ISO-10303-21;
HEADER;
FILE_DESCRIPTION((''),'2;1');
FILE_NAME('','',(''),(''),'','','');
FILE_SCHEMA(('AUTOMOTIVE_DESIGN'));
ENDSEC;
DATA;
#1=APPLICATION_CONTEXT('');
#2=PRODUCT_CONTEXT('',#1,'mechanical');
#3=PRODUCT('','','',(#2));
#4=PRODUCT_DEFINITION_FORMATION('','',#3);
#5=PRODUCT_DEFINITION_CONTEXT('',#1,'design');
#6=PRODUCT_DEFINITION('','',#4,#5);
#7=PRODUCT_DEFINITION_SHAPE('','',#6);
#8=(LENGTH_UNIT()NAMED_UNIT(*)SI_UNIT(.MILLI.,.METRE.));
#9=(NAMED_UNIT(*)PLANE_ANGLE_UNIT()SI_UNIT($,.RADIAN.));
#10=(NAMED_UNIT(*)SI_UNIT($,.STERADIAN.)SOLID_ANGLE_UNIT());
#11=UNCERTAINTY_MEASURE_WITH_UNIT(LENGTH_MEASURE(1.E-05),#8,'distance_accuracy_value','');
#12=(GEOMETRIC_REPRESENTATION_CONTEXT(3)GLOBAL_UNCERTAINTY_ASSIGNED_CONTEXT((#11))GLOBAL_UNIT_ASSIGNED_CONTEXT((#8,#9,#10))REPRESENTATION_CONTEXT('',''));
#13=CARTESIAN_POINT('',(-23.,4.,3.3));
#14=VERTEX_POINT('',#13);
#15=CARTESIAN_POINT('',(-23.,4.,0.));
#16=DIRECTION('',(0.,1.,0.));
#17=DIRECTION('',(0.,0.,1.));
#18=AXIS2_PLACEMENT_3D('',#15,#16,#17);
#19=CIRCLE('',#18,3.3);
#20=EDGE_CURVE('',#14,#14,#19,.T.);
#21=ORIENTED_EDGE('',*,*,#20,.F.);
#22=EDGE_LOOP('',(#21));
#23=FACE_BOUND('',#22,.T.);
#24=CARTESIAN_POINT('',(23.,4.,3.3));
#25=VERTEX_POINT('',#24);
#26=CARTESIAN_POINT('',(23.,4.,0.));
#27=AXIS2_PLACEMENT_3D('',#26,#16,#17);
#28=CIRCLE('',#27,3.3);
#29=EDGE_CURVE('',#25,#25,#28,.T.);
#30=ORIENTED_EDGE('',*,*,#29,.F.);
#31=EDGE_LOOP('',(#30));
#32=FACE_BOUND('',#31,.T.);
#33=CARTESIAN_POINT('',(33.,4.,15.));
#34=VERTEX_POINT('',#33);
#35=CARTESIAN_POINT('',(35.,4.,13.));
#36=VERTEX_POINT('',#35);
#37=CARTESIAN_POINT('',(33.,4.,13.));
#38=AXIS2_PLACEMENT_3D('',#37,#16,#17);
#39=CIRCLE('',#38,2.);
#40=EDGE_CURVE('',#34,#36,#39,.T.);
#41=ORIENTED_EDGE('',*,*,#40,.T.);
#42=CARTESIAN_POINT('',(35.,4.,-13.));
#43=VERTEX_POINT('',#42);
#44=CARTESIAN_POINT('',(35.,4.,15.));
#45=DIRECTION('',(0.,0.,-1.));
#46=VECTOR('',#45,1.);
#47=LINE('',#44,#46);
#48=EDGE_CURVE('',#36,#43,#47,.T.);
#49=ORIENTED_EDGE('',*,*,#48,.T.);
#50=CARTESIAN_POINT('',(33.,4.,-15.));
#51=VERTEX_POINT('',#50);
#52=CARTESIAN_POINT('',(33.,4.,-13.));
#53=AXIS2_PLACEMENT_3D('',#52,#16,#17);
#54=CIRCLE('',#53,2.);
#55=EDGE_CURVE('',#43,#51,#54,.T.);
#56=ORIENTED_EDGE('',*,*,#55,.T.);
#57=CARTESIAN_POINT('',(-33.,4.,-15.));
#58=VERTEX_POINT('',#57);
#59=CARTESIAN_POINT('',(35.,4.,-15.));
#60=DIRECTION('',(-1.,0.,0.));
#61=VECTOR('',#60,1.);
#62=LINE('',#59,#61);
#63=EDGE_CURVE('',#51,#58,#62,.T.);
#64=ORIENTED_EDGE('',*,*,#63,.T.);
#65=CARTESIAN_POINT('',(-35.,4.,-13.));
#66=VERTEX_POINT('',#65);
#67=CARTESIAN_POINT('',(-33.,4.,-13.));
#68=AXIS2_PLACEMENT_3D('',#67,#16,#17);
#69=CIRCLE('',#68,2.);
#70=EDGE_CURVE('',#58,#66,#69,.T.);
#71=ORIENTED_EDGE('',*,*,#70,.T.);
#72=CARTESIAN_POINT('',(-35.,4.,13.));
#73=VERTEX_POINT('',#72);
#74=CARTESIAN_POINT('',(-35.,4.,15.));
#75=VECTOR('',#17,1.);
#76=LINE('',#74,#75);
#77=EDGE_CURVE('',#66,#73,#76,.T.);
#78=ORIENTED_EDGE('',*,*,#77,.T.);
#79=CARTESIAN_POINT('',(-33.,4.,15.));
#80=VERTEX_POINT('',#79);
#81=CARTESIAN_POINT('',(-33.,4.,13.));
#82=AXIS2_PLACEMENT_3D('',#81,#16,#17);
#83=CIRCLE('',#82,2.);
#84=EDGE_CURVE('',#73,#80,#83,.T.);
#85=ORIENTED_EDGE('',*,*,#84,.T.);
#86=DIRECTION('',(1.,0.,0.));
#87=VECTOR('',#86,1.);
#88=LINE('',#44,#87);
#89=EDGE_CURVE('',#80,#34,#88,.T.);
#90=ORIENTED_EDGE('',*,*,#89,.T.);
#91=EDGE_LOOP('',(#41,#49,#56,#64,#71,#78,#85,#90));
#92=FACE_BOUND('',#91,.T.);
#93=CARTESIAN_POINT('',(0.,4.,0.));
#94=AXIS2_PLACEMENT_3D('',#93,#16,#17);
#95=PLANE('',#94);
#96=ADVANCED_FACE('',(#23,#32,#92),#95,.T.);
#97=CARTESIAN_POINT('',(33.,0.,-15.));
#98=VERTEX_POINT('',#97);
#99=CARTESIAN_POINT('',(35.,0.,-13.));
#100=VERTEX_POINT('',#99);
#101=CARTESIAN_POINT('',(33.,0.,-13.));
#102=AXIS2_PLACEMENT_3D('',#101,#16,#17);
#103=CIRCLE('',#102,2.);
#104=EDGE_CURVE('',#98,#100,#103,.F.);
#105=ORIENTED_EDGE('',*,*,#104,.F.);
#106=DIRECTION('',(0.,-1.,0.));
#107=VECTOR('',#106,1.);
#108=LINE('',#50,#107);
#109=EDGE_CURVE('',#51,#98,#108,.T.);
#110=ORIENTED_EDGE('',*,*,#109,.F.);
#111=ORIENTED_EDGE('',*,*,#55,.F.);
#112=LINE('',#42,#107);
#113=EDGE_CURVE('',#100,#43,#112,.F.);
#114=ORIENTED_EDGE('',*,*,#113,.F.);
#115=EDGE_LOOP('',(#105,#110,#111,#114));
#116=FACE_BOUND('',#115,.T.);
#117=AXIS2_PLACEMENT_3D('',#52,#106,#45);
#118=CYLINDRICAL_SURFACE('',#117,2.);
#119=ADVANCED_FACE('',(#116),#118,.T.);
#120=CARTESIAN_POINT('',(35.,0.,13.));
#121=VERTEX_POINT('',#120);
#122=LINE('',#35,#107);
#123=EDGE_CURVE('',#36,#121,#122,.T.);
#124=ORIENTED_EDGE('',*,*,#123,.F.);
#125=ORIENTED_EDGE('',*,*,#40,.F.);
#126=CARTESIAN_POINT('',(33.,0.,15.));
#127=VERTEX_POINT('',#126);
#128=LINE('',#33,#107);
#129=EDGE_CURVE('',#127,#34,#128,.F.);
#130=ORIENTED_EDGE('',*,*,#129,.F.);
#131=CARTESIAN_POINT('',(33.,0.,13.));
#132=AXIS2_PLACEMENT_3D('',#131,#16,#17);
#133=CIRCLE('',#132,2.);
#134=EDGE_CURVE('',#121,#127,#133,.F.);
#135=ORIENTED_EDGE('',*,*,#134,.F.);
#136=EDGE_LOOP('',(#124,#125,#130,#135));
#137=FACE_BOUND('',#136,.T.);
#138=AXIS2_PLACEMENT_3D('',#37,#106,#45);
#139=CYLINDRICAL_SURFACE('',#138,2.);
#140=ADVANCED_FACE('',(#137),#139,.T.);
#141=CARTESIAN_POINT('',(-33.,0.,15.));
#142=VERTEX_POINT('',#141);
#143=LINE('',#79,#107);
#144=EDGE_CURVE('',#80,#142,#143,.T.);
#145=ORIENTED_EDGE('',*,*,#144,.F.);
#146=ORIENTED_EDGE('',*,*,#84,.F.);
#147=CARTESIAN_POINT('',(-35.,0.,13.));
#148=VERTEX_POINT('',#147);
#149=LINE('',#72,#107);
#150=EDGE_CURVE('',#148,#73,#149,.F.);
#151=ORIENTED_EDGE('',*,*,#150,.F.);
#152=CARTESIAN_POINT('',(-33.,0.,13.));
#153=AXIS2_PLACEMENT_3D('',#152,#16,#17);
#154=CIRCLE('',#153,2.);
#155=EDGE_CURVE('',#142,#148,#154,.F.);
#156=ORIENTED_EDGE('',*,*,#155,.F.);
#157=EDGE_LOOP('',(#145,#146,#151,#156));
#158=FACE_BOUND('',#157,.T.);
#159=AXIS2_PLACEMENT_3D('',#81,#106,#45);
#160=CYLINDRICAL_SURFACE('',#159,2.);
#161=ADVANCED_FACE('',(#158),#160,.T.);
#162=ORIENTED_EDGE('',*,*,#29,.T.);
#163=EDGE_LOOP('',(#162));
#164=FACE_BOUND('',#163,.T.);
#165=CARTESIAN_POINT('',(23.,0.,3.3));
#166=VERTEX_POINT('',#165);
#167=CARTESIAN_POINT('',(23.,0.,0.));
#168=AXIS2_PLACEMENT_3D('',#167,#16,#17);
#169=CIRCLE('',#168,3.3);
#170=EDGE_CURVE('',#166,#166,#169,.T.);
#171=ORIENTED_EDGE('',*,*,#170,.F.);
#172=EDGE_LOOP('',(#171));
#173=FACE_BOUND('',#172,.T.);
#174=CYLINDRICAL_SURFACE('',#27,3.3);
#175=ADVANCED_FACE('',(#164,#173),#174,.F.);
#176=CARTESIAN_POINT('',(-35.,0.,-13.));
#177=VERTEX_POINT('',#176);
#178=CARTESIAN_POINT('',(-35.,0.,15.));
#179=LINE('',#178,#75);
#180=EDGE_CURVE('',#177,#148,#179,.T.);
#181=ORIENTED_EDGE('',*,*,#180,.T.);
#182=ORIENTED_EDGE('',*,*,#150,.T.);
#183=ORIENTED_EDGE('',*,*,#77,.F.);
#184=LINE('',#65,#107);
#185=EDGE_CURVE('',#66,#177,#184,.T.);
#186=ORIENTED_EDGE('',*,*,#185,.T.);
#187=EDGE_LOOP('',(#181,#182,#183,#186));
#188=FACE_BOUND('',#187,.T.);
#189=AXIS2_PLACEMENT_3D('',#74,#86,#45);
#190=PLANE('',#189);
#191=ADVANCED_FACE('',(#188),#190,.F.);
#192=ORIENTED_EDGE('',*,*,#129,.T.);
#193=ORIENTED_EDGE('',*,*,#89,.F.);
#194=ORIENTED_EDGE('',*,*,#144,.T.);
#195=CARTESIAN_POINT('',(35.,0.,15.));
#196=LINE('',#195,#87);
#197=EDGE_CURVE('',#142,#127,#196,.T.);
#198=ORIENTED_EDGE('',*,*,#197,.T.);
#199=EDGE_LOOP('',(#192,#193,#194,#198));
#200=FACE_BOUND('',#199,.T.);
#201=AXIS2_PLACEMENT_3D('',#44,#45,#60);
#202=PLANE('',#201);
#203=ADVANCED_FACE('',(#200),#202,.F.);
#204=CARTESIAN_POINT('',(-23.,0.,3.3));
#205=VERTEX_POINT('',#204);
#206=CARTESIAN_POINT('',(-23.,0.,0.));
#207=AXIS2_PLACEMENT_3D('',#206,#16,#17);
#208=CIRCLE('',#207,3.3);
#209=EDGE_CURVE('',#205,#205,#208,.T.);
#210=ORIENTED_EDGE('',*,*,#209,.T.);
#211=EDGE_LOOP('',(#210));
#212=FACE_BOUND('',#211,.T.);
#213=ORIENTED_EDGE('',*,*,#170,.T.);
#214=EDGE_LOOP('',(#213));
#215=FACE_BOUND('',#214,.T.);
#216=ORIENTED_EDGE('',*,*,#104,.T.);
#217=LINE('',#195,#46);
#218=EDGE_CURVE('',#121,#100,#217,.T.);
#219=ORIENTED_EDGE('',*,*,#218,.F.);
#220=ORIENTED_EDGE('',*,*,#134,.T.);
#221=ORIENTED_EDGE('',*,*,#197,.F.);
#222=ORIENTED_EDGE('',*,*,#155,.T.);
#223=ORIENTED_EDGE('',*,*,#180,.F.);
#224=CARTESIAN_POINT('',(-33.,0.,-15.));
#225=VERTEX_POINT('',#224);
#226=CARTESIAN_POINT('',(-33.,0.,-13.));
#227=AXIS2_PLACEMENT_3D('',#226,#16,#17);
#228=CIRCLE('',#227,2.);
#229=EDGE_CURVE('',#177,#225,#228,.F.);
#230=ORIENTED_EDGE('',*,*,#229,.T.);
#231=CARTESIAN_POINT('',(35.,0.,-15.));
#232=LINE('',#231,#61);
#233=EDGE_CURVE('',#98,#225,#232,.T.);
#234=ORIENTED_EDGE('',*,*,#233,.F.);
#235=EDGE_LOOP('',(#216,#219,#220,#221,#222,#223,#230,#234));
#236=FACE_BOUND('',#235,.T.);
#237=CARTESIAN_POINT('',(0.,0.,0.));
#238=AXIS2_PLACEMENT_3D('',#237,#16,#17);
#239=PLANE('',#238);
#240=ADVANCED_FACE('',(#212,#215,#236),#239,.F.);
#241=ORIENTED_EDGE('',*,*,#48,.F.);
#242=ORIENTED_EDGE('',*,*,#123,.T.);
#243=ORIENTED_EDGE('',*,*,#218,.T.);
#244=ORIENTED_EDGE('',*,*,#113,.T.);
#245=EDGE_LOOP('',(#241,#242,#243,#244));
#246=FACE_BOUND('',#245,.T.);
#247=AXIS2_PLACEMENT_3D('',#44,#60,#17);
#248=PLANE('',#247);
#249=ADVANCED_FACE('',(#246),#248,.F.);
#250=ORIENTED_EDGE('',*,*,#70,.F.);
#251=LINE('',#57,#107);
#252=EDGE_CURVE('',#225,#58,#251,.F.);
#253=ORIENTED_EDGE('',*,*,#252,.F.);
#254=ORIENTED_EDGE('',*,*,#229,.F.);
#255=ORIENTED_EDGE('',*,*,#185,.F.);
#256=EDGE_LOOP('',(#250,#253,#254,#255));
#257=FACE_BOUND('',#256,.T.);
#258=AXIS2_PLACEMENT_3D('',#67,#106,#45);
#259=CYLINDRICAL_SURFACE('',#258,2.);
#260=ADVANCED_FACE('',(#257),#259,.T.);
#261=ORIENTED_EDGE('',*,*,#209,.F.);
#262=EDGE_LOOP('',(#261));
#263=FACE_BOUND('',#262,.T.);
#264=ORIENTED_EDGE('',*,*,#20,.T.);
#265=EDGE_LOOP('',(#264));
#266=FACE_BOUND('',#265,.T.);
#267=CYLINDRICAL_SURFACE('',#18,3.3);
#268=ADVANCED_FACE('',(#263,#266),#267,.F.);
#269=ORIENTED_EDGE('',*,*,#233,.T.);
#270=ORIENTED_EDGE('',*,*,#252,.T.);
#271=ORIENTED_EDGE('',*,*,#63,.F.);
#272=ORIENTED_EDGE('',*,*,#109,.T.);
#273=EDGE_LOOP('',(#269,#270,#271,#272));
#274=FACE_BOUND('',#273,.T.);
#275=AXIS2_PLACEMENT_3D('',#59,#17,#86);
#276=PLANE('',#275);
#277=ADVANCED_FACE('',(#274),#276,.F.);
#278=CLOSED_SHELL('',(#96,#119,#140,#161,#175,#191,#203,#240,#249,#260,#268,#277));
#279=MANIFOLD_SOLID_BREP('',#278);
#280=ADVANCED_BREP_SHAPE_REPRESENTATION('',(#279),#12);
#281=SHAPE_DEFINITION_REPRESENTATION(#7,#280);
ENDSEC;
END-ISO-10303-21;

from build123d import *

# Parameters (mm, degrees)
SKETCH1_W                = 70
SKETCH1_H                = 30
BOSS_EXTRUDE1_DEPTH      = 4
FILLET1_R                = 2
M6_CLEARANCE_HOLE1_D     = 6.6
M6_CLEARANCE_HOLE1_DEPTH = 7
M6_CLEARANCE_HOLE1_TIP   = 1.982840043


with BuildPart() as part:
    # Sketch1 → Boss-Extrude1 (new body)
    with BuildSketch(Plane(origin=(0, 0, 0), x_dir=(1, 0, 0), z_dir=(0, 1, 0))):
        Rectangle(SKETCH1_W, SKETCH1_H)
    extrude(amount=BOSS_EXTRUDE1_DEPTH)

    # Fillet1
    fillet1_edges = [part.edges().sort_by_distance(p)[0] for p in [
        (-35, 2, -15),
        (35, 2, -15),
        (35, 2, 15),
        (-35, 2, 15),
    ]]
    fillet(fillet1_edges, radius=FILLET1_R)

    # M6 Clearance Hole1
    with Locations(Plane(origin=(0, 4, 0), x_dir=(1, 0, 0), z_dir=(0, 1, 0))):
        with Locations((-23, 0), (23, 0)):
            Hole(M6_CLEARANCE_HOLE1_D / 2, depth=M6_CLEARANCE_HOLE1_DEPTH)
            with Locations((0, 0, -(M6_CLEARANCE_HOLE1_DEPTH + M6_CLEARANCE_HOLE1_TIP / 2))):  # 118° drill point
                Cone(0, M6_CLEARANCE_HOLE1_D / 2, M6_CLEARANCE_HOLE1_TIP, mode=Mode.SUBTRACT)


solid = part.part
